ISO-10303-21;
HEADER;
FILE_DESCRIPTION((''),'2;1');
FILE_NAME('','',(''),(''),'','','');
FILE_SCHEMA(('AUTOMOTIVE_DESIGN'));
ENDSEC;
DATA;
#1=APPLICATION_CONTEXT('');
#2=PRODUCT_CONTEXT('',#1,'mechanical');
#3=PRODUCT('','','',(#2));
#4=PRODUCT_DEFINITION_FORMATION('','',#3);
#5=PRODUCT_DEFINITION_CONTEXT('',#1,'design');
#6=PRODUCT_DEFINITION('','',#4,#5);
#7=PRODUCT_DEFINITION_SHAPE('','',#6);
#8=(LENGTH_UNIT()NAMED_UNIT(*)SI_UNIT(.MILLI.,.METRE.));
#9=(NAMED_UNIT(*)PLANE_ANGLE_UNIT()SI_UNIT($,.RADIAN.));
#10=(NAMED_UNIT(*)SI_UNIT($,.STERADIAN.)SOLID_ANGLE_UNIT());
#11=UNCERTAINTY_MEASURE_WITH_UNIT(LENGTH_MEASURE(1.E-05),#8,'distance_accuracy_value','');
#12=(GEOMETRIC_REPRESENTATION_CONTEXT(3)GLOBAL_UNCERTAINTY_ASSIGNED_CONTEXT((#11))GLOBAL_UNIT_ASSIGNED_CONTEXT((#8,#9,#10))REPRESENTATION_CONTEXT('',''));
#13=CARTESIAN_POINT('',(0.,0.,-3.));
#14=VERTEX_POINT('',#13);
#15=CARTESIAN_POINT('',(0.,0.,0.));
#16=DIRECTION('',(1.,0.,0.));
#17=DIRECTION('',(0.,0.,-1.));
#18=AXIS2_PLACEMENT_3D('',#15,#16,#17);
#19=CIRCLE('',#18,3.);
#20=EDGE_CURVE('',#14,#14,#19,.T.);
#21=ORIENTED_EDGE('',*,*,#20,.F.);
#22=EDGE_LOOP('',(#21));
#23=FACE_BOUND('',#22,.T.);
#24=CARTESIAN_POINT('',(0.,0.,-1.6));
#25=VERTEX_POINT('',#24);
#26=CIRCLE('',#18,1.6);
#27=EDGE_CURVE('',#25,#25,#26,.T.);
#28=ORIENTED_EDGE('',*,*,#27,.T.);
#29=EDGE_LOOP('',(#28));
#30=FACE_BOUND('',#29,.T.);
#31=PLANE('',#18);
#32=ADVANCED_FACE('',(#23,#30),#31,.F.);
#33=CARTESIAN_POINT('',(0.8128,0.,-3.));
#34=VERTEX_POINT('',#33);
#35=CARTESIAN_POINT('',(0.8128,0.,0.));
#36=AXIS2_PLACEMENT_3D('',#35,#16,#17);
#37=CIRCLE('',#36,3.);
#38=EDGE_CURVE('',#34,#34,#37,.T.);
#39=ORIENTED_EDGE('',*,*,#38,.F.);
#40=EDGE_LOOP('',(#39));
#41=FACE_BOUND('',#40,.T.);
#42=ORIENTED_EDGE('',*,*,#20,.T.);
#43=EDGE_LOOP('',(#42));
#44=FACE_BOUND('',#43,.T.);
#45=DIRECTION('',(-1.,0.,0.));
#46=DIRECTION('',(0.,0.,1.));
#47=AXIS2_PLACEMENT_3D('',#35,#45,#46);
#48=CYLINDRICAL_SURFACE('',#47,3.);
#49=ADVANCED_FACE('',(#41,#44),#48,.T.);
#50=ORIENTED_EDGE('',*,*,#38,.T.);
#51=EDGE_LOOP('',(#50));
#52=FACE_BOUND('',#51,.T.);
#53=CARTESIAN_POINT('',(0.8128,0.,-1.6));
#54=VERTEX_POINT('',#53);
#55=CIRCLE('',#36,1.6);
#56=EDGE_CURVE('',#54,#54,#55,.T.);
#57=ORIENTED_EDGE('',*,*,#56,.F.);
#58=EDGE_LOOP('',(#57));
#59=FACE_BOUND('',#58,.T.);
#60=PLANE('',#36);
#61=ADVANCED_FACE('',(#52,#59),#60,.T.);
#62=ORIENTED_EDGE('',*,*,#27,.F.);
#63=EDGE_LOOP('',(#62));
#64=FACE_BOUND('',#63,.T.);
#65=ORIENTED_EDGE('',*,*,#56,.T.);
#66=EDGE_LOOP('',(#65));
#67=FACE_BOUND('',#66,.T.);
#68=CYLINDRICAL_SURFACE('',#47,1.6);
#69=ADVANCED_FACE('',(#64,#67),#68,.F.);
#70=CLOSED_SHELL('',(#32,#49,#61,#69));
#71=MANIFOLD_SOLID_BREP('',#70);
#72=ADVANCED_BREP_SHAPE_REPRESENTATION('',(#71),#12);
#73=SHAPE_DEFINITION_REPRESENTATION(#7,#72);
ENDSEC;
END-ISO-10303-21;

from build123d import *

# Parameters (mm, degrees)
SKETCH1_R           = 3
SKETCH1_R_2         = 1.6
BOSS_EXTRUDE1_DEPTH = 0.8128


with BuildPart() as part:
    # Sketch1 → Boss-Extrude1 (new body)
    with BuildSketch(Plane.YZ):
        with Locations(Location((0, 0, 0), (0, 0, 270))):
            Circle(SKETCH1_R)
        with Locations(Location((0, 0, 0), (0, 0, 270))):
            Circle(SKETCH1_R_2, mode=Mode.SUBTRACT)
    extrude(amount=BOSS_EXTRUDE1_DEPTH)


solid = part.part
